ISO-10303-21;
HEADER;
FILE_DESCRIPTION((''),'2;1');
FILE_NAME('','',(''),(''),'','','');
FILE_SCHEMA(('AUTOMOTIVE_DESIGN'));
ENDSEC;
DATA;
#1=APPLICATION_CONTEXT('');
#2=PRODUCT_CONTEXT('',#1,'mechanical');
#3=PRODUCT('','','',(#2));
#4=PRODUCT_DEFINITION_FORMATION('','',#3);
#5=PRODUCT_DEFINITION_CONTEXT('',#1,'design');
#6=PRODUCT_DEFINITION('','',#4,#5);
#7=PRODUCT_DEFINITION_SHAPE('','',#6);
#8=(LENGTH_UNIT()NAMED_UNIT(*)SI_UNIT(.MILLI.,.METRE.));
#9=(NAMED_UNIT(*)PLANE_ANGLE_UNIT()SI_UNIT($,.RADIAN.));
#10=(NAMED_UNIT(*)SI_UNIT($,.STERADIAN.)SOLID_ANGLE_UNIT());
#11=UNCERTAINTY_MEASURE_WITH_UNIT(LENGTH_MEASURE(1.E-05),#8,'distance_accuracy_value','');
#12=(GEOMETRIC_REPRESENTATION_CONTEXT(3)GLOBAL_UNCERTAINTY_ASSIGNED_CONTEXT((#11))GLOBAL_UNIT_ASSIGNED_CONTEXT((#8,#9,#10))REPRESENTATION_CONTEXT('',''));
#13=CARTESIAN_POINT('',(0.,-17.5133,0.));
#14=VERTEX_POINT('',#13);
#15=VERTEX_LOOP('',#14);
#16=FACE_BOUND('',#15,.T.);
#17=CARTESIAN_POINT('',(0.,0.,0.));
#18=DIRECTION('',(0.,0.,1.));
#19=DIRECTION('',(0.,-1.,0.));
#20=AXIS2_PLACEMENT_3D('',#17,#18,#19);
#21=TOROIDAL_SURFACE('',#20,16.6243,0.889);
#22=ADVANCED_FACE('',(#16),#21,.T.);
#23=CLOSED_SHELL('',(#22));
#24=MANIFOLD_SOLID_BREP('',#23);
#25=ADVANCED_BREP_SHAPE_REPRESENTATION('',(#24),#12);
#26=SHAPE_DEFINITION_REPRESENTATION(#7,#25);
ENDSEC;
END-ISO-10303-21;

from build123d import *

# Parameters (mm, degrees)
SKETCH2_R = 0.889


with BuildPart() as part:
    # Sketch2 → Revolve1 (revolve)
    with BuildSketch(Plane(origin=(0, 0, 0), x_dir=(0, 0, -1), z_dir=(1, 0, 0)), mode=Mode.PRIVATE) as revolve1_sk:
        with Locations((0, 16.6243)):
            Circle(SKETCH2_R)
    revolve(revolve1_sk.sketch.rotate(Axis((0, 0, 15.7353), (0, 0, -1)), 180), axis=Axis((0, 0, 15.7353), (0, 0, -1)))


solid = part.part
